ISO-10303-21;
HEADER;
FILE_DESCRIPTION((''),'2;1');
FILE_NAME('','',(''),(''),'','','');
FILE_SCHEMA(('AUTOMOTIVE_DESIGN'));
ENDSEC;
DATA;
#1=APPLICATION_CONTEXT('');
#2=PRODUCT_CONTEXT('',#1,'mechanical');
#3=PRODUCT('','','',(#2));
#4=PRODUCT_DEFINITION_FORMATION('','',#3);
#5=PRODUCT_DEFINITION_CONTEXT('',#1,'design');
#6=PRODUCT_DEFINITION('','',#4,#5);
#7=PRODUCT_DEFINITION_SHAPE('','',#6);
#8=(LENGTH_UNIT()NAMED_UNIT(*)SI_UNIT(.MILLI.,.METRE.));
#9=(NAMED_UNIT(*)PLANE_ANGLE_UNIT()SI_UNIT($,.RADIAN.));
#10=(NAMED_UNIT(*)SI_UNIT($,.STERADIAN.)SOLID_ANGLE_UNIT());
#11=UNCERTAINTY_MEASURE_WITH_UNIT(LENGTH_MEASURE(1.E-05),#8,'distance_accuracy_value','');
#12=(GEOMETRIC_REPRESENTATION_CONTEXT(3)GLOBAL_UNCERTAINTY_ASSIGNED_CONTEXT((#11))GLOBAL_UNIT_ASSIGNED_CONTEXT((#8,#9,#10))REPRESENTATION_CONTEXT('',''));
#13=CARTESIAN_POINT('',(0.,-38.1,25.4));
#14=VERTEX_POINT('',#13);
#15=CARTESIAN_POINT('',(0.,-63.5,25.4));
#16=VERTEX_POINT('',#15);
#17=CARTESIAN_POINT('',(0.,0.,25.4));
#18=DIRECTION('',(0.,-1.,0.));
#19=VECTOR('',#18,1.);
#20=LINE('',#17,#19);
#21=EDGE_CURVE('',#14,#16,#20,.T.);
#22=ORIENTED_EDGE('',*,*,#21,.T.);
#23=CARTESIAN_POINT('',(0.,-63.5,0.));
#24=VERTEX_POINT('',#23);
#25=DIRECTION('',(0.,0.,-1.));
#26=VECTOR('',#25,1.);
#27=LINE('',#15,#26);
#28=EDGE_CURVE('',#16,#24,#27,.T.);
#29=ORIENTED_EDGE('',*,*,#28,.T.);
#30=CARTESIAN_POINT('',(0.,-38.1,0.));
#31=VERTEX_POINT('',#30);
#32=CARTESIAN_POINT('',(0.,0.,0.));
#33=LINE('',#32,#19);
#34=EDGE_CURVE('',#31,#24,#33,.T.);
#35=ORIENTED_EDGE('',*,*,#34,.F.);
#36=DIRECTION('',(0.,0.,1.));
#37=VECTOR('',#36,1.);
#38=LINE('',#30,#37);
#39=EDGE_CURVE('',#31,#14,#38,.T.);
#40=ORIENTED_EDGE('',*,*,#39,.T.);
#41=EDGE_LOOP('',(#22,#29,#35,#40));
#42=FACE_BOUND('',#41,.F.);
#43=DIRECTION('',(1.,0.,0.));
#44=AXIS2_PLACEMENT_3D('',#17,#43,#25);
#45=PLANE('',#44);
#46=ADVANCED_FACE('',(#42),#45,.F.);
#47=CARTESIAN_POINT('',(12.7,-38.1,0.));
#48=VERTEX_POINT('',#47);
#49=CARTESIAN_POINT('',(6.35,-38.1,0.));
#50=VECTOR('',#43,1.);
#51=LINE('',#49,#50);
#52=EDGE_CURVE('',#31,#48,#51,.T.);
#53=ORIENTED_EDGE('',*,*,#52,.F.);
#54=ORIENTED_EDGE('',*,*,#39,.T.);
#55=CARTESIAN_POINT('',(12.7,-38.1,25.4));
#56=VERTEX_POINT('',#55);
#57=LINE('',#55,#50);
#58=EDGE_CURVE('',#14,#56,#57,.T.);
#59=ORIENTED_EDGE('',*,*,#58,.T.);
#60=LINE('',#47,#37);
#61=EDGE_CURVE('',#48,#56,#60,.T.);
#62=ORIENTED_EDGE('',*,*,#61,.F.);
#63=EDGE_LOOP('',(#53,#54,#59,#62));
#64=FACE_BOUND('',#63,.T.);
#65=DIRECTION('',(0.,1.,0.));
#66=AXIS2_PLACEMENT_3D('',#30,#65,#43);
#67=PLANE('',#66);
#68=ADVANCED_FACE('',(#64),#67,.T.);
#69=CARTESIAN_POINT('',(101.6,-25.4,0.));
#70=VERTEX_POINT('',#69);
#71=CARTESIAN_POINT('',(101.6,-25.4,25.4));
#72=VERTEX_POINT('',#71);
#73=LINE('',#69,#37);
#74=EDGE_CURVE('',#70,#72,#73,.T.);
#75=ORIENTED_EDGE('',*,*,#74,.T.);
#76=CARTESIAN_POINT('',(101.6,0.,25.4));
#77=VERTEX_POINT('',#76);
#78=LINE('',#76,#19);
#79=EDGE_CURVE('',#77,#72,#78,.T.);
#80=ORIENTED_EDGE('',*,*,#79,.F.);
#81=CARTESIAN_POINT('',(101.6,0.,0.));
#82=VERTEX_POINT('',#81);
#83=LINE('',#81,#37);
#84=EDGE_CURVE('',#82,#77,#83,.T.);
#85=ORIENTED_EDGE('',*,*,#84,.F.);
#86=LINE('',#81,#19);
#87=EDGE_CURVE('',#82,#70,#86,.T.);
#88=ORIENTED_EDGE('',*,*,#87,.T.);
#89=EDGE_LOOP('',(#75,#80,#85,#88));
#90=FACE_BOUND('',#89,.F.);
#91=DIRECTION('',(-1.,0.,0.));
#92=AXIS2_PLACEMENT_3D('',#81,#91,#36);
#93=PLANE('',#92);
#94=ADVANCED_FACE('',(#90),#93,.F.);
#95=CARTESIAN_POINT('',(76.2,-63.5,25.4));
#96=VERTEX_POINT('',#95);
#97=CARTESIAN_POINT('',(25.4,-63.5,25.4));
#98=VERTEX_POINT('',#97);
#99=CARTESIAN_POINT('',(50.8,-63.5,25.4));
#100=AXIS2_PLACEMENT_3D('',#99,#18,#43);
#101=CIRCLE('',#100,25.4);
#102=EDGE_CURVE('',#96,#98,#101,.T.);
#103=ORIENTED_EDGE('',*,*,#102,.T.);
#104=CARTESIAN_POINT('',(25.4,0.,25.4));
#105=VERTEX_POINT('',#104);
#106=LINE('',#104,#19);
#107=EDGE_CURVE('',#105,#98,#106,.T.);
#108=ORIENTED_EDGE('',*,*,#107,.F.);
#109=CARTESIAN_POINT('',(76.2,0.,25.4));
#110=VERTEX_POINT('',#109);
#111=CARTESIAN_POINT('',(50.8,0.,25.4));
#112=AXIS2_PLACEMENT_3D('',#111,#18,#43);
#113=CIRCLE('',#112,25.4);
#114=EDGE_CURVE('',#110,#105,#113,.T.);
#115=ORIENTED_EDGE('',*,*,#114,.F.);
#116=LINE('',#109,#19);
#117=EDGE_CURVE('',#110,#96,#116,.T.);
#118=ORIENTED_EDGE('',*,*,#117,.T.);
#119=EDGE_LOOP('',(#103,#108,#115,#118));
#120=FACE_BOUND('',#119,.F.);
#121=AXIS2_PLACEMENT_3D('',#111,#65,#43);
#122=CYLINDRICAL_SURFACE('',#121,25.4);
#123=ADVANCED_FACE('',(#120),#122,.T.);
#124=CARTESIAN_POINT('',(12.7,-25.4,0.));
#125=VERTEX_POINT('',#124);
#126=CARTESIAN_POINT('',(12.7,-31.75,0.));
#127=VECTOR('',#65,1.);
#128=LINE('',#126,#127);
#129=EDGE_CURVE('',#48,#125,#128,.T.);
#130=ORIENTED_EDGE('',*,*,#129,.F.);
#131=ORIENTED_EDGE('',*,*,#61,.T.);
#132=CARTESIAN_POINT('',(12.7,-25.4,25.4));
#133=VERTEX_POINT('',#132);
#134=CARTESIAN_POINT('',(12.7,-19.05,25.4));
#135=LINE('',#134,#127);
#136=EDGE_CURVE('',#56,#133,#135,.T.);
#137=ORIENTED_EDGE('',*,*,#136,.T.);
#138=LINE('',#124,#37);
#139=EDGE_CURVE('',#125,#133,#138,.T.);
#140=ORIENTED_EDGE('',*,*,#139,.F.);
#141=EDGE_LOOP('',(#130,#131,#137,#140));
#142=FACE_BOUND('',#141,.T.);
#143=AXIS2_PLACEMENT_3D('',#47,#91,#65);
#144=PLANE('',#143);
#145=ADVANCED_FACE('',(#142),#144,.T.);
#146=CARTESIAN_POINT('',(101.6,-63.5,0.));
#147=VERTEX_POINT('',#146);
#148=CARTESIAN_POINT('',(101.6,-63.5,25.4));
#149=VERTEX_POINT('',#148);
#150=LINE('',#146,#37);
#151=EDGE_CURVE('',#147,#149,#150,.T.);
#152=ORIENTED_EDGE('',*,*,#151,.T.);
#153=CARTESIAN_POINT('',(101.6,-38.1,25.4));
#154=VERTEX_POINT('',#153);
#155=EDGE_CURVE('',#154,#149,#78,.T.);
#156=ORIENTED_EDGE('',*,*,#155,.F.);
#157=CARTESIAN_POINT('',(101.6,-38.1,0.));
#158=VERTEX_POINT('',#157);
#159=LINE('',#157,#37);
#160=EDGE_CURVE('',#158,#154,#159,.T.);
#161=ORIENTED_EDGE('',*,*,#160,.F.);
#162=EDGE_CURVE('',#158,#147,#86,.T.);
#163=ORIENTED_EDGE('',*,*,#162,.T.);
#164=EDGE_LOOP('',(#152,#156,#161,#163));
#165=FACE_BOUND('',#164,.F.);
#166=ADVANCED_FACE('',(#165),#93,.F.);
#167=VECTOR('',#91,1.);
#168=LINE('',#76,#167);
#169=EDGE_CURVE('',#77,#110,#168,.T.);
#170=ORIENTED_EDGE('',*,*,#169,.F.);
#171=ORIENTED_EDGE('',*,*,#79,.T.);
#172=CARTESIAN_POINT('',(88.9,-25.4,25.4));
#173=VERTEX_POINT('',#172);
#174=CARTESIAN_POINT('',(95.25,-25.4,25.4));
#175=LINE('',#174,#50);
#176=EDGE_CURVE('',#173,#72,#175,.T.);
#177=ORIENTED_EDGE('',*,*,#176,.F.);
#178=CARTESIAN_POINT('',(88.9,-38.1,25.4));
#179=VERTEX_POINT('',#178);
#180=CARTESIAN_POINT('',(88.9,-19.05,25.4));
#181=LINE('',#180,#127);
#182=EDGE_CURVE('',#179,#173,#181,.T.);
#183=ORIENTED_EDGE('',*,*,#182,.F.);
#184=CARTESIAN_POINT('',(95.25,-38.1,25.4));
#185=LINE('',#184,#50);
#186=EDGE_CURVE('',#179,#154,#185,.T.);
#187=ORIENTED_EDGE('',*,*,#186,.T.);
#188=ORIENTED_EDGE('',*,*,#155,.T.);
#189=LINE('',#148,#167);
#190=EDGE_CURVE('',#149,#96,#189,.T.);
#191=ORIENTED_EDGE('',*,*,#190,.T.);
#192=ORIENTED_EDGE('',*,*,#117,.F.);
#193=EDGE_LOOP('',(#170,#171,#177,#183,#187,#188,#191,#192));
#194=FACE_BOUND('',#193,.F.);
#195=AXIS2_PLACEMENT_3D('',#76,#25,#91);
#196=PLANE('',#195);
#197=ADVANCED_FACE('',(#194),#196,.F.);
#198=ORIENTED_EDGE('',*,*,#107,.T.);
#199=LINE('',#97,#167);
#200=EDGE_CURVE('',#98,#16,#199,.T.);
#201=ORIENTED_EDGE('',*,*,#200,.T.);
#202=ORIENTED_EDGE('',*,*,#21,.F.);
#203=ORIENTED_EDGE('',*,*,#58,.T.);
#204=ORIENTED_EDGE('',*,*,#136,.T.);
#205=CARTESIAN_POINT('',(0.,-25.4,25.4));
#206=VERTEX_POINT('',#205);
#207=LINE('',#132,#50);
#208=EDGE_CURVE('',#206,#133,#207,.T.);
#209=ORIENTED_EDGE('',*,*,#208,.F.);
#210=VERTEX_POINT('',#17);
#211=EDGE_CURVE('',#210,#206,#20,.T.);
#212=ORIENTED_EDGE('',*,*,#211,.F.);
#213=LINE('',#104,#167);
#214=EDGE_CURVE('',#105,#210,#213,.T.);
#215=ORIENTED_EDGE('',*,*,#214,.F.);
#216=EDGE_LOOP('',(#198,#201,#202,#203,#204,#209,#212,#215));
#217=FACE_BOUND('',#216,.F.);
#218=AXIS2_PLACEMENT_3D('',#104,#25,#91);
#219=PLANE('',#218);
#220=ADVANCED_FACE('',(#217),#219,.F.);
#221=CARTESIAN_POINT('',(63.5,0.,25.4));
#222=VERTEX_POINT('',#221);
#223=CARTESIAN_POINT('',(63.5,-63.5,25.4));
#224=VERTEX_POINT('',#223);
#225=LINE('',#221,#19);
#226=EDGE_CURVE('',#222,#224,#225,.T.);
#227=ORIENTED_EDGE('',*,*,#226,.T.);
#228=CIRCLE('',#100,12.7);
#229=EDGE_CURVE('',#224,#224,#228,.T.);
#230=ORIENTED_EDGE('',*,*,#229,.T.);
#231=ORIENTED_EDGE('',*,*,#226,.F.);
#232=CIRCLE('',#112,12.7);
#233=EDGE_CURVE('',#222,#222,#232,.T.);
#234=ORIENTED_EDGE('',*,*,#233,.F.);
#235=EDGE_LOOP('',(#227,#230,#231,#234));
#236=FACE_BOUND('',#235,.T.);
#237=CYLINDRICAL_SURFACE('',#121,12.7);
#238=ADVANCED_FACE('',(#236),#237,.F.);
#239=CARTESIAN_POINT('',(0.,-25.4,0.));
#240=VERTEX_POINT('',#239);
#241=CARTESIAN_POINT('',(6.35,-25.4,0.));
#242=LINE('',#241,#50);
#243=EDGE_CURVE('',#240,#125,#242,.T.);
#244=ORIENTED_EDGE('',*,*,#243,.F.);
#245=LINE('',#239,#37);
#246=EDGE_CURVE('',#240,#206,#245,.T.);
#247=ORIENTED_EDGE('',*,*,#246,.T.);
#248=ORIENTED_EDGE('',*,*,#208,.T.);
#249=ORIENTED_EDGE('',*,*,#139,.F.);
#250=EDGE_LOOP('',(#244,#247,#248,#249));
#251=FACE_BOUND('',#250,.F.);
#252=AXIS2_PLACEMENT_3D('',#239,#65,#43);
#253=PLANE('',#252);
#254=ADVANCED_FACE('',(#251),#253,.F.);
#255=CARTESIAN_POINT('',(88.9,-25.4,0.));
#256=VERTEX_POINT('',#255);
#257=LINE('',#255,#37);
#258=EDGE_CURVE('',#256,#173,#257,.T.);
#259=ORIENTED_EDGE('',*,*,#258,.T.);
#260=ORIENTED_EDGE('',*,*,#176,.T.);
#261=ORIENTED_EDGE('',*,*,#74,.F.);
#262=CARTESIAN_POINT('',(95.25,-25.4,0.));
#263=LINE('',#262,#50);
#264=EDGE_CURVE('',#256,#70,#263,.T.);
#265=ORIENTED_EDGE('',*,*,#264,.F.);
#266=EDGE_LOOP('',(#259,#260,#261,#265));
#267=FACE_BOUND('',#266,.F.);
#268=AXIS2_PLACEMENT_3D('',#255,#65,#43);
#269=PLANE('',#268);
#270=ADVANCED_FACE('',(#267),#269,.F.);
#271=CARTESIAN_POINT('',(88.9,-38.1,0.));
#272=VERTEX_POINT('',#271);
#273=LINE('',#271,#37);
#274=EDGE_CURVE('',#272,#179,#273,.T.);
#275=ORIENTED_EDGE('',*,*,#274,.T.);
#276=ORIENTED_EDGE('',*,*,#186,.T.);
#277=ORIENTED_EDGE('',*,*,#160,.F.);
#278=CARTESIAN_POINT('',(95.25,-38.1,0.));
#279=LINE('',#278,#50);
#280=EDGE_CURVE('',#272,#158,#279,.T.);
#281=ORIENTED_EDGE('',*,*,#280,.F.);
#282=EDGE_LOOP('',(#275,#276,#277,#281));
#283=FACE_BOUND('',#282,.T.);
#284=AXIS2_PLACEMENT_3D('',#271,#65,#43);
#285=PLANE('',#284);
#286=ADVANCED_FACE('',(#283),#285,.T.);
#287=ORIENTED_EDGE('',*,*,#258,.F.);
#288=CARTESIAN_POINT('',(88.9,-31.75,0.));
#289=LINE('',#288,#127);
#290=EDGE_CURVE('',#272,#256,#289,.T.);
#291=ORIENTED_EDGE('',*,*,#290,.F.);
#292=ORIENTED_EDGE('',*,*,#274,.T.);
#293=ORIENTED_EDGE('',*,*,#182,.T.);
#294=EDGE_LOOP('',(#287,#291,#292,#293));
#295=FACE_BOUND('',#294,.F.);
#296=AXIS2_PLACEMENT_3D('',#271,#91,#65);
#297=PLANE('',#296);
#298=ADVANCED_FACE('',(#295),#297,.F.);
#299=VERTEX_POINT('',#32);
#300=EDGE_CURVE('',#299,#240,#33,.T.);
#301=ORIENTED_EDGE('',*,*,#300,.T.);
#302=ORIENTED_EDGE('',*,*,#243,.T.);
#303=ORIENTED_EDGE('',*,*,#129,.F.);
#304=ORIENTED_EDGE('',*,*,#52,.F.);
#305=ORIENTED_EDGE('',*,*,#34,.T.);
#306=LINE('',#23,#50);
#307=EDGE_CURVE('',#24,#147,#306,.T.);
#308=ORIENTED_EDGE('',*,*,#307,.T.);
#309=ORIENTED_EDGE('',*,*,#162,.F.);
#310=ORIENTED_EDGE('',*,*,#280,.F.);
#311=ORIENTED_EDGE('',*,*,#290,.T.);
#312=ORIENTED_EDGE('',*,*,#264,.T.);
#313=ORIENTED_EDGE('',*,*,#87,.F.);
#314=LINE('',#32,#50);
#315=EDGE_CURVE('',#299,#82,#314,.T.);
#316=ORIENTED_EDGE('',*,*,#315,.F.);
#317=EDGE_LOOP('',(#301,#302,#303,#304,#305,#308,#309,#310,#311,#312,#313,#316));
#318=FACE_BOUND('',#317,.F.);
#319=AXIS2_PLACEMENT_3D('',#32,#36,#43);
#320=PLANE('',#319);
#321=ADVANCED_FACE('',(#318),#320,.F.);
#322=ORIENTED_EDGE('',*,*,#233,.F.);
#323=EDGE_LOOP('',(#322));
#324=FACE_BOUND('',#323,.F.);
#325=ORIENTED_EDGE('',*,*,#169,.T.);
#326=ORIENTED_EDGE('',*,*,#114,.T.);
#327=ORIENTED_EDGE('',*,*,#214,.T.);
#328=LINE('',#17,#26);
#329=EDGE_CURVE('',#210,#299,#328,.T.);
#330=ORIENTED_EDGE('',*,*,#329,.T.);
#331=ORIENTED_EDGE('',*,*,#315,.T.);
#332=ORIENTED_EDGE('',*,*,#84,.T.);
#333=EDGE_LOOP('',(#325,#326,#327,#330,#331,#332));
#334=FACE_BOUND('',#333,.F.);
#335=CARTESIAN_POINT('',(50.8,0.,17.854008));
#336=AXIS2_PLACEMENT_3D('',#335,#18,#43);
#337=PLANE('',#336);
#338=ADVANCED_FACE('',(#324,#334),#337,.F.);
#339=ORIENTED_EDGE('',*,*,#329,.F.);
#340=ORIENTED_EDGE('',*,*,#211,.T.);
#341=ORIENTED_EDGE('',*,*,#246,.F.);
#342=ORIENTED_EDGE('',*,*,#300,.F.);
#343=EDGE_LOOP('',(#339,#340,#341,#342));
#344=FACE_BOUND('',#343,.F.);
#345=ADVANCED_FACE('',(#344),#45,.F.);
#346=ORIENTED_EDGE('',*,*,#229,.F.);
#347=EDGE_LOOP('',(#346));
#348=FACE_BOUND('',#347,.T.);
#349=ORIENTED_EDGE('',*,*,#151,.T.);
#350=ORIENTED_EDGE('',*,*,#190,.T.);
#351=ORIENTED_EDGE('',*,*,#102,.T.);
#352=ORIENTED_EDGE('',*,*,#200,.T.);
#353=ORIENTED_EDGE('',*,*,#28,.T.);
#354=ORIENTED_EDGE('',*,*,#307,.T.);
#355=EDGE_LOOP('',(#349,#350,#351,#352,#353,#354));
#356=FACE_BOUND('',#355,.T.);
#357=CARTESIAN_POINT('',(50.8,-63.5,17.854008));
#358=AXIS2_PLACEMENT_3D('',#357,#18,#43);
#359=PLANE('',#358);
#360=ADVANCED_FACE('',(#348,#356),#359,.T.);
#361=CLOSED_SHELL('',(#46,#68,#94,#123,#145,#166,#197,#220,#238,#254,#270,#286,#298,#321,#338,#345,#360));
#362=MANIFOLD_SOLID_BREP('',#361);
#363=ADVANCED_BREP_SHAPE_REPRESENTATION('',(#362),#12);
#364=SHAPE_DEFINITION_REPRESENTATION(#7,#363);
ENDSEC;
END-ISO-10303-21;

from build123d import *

# Parameters (mm, degrees)
F0_R     = 12.7
F1_DEPTH = 63.5
F2_W     = 12.7
F2_H     = 12.7
F3_DEPTH = 50.801


with BuildPart() as f1:
    # F0 (on Front) → F1 (new body)
    with BuildSketch(Plane.XZ):
        with BuildLine():
            Line((0, 25.4), (0, 0))
            Line((0, 0), (101.6, 0))
            Line((101.6, 0), (101.6, 25.4))
            Line((101.6, 25.4), (76.2, 25.4))
            ThreePointArc((76.2, 25.4), (50.8, 50.8), (25.4, 25.4))
            Line((25.4, 25.4), (0, 25.4))
        make_face()
        with Locations((50.8, 25.4)):
            Circle(F0_R, mode=Mode.SUBTRACT)
    extrude(amount=F1_DEPTH)

    # F2 (on Top) → F3 (cut, through all)
    with BuildSketch(Plane.XY):
        with Locations((6.35, -31.75)):
            Rectangle(F2_W, F2_H)
        with Locations((95.25, -31.75)):
            Rectangle(F2_W, F2_H)
    extrude(amount=F3_DEPTH, mode=Mode.SUBTRACT)


solid = f1.part
